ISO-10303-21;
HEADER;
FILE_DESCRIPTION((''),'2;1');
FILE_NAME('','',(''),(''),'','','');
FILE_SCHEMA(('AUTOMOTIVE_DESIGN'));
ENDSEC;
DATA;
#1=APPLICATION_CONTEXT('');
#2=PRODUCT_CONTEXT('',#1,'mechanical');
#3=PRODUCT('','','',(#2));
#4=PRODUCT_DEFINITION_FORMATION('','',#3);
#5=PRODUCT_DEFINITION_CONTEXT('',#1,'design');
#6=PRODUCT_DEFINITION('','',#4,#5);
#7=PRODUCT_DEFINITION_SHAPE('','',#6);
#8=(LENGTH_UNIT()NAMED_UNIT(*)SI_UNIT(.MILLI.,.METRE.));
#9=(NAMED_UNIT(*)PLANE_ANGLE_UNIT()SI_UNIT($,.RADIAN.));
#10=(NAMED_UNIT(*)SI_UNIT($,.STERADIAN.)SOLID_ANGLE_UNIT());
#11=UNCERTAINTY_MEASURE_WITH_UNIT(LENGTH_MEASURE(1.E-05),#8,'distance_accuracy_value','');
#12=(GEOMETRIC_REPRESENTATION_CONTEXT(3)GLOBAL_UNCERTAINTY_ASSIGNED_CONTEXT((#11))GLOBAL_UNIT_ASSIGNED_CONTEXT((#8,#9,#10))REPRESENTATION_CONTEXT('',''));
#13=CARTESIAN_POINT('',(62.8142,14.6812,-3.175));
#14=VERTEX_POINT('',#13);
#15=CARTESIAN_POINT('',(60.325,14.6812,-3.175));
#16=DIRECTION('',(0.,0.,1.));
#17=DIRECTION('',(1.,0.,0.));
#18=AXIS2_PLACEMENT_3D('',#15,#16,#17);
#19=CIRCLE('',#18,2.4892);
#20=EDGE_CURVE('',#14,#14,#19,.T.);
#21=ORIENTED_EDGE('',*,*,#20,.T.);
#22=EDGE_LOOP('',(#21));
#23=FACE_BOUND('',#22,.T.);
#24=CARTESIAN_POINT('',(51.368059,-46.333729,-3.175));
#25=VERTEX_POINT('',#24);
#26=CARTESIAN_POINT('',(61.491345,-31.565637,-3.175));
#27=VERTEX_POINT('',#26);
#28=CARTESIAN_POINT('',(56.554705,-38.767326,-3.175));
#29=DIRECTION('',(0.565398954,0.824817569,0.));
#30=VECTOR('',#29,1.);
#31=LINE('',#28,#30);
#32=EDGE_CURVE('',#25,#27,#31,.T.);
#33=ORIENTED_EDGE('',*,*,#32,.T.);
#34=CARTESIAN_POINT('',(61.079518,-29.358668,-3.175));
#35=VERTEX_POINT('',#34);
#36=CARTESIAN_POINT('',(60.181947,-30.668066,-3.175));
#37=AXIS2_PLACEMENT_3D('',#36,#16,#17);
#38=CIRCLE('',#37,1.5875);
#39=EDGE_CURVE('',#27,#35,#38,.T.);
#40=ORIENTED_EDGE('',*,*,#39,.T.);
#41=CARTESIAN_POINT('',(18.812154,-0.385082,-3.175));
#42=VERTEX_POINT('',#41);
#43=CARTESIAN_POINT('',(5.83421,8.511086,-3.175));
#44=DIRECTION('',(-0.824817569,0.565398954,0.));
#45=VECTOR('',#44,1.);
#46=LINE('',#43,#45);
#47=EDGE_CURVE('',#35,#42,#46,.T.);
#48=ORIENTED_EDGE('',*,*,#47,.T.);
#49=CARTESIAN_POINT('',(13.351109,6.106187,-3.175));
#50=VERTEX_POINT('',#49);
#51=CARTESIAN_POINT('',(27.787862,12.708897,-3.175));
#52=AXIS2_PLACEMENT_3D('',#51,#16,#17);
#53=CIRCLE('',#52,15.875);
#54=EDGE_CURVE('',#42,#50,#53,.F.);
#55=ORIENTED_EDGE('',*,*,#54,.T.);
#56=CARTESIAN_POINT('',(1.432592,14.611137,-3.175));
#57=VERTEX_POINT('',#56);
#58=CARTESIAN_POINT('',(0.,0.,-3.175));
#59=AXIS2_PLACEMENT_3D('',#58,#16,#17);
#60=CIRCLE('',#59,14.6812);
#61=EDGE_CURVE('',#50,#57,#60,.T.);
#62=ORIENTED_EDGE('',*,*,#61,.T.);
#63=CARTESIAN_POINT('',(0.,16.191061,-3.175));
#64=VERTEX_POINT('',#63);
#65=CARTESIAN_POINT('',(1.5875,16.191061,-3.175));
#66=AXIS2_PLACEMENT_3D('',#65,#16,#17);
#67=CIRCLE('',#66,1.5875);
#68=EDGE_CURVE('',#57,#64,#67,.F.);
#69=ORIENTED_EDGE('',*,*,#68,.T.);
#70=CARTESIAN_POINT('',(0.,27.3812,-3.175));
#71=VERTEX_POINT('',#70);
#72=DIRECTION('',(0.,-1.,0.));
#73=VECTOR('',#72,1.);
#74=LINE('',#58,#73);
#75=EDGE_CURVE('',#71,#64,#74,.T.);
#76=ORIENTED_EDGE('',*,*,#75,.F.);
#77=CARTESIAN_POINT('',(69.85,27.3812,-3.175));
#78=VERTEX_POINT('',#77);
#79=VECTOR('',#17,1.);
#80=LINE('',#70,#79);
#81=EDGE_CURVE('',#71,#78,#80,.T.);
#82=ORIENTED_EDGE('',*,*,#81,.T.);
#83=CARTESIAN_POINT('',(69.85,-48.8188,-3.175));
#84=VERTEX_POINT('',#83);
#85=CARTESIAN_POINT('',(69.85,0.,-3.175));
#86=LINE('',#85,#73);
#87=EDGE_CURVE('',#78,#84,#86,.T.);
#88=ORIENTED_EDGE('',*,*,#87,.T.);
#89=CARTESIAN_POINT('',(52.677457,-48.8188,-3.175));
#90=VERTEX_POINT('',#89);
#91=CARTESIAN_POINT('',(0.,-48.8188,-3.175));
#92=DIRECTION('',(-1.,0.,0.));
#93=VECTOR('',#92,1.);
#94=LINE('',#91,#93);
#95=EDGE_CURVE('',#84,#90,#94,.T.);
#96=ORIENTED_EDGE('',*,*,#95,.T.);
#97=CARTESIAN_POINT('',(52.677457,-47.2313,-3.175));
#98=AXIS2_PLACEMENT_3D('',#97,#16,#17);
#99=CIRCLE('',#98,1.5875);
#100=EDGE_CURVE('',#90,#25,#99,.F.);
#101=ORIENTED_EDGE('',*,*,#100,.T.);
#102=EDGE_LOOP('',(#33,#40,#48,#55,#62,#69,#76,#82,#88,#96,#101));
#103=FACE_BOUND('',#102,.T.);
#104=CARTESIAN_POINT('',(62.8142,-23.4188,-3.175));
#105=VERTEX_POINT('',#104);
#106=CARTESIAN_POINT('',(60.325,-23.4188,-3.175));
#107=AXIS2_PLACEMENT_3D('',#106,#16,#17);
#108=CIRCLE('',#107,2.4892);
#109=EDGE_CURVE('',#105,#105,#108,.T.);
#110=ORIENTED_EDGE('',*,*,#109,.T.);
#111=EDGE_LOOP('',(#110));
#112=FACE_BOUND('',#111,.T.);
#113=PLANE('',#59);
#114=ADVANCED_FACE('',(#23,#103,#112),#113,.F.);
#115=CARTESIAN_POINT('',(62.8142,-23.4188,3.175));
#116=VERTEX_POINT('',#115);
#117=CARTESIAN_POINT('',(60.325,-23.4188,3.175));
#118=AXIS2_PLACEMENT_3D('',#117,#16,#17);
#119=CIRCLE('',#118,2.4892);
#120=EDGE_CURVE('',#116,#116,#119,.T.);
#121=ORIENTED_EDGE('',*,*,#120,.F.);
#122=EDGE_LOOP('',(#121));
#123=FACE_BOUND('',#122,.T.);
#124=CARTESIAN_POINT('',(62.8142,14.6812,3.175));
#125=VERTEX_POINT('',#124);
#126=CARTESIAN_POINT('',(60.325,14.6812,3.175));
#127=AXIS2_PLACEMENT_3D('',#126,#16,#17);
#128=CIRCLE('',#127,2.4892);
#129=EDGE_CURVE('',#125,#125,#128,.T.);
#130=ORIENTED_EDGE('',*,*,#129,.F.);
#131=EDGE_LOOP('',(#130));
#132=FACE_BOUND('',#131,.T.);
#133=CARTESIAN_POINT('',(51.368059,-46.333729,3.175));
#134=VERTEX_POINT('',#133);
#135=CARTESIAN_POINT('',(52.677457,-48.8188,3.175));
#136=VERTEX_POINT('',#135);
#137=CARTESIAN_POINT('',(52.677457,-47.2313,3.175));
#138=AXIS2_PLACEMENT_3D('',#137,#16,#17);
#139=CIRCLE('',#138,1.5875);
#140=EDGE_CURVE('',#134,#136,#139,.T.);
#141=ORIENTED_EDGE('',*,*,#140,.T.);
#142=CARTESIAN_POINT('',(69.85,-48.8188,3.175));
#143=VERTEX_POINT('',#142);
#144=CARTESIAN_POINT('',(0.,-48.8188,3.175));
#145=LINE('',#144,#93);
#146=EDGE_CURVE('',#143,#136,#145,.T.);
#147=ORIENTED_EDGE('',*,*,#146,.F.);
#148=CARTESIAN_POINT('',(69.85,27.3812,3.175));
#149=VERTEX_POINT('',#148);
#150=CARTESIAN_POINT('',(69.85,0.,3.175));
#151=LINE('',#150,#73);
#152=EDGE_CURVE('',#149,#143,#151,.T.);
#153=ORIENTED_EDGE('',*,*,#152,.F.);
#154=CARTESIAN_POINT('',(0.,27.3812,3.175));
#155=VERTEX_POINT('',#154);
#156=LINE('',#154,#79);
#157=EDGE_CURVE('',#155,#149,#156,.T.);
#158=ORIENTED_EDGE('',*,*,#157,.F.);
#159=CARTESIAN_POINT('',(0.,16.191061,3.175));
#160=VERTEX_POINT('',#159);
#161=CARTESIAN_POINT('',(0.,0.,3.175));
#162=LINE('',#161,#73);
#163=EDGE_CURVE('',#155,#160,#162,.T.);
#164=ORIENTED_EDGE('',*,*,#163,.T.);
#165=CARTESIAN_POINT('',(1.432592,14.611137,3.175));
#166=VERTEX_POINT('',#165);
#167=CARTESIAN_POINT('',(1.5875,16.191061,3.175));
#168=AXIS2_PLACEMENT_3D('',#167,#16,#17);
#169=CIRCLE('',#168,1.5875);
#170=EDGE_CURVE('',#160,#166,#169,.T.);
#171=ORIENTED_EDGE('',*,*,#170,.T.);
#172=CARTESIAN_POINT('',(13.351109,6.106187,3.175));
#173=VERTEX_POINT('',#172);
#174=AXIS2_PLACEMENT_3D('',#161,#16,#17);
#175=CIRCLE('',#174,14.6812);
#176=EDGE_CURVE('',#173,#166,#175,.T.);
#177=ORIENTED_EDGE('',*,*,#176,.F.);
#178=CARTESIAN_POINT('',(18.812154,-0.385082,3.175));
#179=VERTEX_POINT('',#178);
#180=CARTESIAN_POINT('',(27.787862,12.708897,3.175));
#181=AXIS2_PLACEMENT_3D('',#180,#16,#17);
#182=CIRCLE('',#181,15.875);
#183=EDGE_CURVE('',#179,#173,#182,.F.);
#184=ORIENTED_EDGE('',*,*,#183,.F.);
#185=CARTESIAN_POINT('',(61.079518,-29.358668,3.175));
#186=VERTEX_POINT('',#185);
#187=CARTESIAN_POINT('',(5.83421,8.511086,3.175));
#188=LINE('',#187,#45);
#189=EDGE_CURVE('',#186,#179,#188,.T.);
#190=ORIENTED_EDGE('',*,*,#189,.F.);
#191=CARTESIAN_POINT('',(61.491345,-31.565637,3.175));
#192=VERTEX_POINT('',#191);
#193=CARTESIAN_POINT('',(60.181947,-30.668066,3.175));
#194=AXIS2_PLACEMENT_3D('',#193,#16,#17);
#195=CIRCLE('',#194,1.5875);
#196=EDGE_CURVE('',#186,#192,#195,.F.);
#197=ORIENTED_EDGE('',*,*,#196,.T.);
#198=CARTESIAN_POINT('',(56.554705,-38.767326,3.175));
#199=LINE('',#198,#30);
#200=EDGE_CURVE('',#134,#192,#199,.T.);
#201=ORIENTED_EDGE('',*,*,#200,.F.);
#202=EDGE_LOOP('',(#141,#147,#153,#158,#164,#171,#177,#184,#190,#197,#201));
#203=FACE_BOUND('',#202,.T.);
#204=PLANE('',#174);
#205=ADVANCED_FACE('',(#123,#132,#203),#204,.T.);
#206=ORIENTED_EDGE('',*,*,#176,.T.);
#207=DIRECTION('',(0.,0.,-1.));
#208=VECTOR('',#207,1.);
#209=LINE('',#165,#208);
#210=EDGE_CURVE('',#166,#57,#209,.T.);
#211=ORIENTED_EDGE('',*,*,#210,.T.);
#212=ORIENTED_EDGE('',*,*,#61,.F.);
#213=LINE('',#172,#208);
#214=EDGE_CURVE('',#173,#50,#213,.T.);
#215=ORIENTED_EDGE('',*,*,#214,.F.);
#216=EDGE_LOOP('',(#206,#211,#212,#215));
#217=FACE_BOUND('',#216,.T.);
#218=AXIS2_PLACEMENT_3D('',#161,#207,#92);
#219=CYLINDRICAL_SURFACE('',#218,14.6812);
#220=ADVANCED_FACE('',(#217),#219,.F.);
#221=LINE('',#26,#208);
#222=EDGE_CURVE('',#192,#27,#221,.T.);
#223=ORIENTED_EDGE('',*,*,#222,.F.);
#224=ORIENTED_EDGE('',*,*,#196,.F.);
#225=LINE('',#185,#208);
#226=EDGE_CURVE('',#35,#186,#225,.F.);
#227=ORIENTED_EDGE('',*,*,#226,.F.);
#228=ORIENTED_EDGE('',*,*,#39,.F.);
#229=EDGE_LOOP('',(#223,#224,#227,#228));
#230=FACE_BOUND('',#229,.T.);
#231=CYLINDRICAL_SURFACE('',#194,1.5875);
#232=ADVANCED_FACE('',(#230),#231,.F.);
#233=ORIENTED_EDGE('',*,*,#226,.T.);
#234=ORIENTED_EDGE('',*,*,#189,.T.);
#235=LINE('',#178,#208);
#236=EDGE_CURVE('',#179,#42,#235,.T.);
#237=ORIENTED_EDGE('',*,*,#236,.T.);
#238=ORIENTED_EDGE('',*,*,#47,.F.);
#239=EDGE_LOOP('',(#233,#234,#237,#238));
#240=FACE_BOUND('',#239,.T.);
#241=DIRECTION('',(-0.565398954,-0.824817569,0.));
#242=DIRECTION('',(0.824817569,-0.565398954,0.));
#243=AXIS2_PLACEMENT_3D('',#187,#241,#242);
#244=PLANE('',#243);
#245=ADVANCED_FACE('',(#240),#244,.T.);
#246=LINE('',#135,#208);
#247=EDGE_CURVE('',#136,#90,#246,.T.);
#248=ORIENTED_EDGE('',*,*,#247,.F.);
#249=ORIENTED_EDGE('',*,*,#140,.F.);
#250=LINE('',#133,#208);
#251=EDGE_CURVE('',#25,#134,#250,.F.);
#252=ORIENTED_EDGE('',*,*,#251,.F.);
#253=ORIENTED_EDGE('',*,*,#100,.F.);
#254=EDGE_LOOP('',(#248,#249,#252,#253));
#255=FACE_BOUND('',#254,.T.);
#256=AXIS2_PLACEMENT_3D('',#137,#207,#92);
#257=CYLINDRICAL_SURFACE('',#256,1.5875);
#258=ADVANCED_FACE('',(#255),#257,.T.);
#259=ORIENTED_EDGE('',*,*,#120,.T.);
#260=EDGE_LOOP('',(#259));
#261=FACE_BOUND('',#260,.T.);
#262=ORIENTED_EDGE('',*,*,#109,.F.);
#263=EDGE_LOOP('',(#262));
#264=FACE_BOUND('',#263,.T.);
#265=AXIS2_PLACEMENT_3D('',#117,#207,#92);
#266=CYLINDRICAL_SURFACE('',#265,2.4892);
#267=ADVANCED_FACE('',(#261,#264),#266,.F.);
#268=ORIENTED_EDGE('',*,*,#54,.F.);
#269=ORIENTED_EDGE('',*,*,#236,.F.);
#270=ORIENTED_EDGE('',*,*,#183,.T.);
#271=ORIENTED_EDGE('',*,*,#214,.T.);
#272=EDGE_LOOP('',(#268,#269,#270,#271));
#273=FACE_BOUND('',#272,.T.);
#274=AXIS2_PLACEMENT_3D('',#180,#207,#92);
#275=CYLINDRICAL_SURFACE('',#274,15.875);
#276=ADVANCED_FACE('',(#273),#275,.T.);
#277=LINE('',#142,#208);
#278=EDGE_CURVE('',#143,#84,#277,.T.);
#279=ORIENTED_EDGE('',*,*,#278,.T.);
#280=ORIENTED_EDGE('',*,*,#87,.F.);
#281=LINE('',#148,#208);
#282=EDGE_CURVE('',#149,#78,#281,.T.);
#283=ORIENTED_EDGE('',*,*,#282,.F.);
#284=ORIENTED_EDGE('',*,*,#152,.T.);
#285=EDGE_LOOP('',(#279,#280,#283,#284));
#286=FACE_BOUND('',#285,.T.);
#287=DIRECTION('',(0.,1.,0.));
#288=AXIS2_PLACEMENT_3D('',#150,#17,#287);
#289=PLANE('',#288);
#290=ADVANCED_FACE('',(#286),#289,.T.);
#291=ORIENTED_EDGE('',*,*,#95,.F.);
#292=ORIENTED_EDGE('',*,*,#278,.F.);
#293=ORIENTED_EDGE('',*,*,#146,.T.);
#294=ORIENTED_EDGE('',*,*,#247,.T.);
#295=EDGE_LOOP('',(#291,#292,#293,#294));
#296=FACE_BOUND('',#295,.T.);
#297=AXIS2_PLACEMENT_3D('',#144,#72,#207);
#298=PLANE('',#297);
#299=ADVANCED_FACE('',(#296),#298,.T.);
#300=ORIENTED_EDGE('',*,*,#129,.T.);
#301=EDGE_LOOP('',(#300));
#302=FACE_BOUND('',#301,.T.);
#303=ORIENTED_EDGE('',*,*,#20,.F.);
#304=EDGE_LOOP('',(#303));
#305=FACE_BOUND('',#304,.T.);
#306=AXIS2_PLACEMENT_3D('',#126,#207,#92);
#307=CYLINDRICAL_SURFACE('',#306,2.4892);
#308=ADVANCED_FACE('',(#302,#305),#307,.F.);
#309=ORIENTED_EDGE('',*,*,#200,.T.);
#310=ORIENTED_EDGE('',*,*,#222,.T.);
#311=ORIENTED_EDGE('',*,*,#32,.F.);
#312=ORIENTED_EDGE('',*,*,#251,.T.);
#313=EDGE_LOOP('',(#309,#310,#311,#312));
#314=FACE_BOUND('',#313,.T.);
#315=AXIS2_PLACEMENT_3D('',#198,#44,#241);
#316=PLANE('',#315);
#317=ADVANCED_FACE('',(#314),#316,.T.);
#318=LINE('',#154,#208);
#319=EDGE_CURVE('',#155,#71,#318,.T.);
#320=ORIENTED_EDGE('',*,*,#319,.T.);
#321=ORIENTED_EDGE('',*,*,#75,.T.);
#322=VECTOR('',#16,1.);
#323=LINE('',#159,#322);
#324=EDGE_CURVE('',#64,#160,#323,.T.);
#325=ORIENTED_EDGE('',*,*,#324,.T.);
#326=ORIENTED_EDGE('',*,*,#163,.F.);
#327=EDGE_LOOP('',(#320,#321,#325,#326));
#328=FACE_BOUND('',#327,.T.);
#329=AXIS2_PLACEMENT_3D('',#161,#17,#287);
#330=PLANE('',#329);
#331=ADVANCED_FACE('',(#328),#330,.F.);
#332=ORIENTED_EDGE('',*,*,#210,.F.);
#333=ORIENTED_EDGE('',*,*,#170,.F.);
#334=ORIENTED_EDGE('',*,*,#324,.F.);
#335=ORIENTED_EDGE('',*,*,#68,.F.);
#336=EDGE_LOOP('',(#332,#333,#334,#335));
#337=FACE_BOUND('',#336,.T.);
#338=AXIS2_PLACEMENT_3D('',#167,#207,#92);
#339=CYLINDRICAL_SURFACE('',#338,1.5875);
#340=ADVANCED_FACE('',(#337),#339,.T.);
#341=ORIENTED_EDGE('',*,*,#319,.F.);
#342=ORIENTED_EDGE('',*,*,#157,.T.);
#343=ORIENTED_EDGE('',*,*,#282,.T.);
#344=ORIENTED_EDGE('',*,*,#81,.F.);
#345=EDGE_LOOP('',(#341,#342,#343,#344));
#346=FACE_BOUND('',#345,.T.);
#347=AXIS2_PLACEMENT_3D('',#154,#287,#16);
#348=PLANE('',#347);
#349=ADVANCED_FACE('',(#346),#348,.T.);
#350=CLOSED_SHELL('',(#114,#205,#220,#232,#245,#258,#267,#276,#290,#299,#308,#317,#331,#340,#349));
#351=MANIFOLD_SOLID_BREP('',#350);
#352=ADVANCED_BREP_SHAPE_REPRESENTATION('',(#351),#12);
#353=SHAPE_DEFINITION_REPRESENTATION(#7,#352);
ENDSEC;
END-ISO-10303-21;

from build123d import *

# Parameters (mm, degrees)
SKETCH1_R           = 2.4892
BOSS_EXTRUDE1_DEPTH = 3.175
FILLET1_R           = 1.5875


with BuildPart() as part:
    # Sketch1 → Boss-Extrude1 (new, symmetric)
    with BuildSketch(Plane.XY):
        with BuildLine():
            ThreePointArc((18.812153865, -0.385081668), (15.640023815, 2.489031981), (13.351109218, 6.106186705))
            ThreePointArc((13.351109218, 6.106186705), (7.933835302, 12.352809027), (0, 14.6812))
            Line((0, 14.6812), (0, 27.3812))
            Line((0, 27.3812), (69.85, 27.3812))
            Line((69.85, 27.3812), (69.85, -48.8188))
            Line((69.85, -48.8188), (49.664583845, -48.8188))
            Line((49.664583845, -48.8188), (62.388915679, -30.256239225))
            Line((62.388915679, -30.256239225), (18.812153865, -0.385081668))
        make_face()
        with Locations((60.325, -23.4188)):
            Circle(SKETCH1_R, mode=Mode.SUBTRACT)
        with Locations((60.325, 14.6812)):
            Circle(SKETCH1_R, mode=Mode.SUBTRACT)
    extrude(amount=BOSS_EXTRUDE1_DEPTH, both=True)

    # Fillet1
    fillet1_edges = [part.edges().sort_by_distance(p)[0] for p in [
        (0, 14.6812, 0),
        (49.664583845, -48.8188, 0),
        (62.388915679, -30.256239225, 0),
    ]]
    fillet(fillet1_edges, radius=FILLET1_R)


solid = part.part
